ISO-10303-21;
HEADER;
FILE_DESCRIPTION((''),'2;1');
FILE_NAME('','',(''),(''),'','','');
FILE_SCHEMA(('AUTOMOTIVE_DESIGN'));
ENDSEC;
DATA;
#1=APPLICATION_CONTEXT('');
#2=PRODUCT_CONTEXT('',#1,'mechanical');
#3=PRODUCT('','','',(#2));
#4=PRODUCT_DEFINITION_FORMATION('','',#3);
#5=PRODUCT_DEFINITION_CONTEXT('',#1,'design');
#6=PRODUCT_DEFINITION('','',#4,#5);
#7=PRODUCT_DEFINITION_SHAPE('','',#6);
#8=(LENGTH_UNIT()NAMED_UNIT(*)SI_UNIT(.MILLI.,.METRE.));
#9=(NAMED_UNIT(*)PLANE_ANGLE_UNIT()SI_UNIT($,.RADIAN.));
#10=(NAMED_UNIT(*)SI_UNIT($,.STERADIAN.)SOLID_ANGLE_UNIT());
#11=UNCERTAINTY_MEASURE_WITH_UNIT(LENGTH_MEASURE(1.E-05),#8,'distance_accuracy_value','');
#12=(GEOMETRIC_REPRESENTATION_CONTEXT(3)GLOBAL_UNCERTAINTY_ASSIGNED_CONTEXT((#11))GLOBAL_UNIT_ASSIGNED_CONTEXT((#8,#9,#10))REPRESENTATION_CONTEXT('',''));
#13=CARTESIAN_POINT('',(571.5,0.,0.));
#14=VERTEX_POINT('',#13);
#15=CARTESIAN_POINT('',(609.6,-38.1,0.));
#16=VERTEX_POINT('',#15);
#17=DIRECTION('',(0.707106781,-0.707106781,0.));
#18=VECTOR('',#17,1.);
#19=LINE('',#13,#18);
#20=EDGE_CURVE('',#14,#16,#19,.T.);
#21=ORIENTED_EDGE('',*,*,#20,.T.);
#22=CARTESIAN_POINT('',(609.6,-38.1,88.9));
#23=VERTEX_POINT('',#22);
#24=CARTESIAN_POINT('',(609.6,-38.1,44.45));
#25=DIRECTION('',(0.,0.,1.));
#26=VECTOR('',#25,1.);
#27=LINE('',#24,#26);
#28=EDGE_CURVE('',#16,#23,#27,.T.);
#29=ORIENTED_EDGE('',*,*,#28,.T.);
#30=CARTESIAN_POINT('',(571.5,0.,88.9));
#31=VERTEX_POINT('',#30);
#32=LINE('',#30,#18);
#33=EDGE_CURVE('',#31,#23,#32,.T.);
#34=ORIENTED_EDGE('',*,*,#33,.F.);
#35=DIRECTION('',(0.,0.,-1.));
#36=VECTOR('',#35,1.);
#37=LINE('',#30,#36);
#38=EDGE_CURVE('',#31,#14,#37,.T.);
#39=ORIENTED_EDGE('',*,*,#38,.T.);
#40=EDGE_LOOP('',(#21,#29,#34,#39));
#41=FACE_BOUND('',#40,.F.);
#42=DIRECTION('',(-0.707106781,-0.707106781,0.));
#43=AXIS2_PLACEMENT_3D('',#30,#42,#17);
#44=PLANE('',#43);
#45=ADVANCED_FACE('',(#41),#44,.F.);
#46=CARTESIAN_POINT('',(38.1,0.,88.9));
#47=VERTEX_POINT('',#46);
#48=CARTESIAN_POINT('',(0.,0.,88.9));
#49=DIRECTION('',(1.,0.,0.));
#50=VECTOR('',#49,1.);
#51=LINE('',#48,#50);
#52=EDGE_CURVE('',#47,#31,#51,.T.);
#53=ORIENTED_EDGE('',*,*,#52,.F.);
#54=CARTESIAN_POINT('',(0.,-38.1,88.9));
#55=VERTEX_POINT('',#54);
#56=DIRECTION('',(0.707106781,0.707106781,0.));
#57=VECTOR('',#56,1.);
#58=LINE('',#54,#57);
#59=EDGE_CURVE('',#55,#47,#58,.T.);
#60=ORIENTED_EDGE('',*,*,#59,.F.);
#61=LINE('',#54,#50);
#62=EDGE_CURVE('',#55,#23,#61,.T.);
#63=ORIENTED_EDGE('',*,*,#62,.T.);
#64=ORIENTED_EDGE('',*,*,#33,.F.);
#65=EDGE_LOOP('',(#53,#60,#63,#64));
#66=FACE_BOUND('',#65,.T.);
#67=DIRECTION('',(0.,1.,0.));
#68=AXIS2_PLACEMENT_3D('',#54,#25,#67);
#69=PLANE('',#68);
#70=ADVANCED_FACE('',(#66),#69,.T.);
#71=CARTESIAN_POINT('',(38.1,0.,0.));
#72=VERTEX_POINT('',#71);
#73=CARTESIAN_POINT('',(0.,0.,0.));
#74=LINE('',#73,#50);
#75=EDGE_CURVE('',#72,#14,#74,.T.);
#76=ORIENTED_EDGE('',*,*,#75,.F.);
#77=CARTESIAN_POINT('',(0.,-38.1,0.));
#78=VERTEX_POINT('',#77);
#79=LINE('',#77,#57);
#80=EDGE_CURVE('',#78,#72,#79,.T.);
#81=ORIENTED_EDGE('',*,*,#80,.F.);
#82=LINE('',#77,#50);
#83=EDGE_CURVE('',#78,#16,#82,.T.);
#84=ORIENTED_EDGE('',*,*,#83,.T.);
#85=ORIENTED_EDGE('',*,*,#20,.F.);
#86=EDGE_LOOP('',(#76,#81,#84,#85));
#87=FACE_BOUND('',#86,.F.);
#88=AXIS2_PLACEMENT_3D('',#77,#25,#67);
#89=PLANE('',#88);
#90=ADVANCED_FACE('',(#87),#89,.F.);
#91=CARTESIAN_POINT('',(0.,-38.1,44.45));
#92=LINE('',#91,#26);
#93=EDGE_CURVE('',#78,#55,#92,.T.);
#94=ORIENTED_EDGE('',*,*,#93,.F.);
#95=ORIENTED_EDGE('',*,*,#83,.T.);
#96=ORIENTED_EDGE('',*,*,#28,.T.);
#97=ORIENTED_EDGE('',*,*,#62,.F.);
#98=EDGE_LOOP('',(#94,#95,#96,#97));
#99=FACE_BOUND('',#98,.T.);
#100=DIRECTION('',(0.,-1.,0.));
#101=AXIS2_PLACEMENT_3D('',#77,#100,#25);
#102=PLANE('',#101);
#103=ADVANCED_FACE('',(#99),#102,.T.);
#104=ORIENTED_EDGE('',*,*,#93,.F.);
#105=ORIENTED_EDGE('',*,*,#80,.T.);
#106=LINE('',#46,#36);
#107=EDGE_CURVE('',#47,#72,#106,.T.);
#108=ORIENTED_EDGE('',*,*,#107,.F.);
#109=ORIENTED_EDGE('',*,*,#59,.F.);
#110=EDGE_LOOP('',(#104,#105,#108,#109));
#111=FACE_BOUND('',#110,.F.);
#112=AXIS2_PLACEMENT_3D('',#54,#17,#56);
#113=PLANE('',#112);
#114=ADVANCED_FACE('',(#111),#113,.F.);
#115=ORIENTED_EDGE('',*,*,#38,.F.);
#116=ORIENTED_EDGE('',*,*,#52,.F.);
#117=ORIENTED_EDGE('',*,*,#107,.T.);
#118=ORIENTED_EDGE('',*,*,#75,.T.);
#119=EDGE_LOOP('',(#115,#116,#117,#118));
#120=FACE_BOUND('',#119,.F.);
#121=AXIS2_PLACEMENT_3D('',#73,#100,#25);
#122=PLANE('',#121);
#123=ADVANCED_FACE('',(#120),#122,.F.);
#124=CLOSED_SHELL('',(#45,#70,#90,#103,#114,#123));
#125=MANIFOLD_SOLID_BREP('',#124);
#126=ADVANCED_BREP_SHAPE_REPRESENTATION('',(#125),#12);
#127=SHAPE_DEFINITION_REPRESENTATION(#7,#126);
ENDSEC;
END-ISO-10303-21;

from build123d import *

# Parameters (mm, degrees)
F0_W     = 38.1
F0_H     = 88.9
F1_DEPTH = 609.6
F3_DEPTH = 88.9


with BuildPart() as f1:
    # F0 (on Right) → F1 (new body)
    with BuildSketch(Plane.YZ):
        with Locations((-19.05, 44.45)):
            Rectangle(F0_W, F0_H)
    extrude(amount=F1_DEPTH)

    # F2 (on face) → F3 (cut)
    with BuildSketch(Plane.XY.offset(88.9)):
        Polygon((0, 0), (0, -38.1), (38.1, 0), align=None)
        Polygon((571.5, 0), (609.6, -38.1), (609.6, 0), align=None)
    extrude(amount=-F3_DEPTH, mode=Mode.SUBTRACT)


solid = f1.part
